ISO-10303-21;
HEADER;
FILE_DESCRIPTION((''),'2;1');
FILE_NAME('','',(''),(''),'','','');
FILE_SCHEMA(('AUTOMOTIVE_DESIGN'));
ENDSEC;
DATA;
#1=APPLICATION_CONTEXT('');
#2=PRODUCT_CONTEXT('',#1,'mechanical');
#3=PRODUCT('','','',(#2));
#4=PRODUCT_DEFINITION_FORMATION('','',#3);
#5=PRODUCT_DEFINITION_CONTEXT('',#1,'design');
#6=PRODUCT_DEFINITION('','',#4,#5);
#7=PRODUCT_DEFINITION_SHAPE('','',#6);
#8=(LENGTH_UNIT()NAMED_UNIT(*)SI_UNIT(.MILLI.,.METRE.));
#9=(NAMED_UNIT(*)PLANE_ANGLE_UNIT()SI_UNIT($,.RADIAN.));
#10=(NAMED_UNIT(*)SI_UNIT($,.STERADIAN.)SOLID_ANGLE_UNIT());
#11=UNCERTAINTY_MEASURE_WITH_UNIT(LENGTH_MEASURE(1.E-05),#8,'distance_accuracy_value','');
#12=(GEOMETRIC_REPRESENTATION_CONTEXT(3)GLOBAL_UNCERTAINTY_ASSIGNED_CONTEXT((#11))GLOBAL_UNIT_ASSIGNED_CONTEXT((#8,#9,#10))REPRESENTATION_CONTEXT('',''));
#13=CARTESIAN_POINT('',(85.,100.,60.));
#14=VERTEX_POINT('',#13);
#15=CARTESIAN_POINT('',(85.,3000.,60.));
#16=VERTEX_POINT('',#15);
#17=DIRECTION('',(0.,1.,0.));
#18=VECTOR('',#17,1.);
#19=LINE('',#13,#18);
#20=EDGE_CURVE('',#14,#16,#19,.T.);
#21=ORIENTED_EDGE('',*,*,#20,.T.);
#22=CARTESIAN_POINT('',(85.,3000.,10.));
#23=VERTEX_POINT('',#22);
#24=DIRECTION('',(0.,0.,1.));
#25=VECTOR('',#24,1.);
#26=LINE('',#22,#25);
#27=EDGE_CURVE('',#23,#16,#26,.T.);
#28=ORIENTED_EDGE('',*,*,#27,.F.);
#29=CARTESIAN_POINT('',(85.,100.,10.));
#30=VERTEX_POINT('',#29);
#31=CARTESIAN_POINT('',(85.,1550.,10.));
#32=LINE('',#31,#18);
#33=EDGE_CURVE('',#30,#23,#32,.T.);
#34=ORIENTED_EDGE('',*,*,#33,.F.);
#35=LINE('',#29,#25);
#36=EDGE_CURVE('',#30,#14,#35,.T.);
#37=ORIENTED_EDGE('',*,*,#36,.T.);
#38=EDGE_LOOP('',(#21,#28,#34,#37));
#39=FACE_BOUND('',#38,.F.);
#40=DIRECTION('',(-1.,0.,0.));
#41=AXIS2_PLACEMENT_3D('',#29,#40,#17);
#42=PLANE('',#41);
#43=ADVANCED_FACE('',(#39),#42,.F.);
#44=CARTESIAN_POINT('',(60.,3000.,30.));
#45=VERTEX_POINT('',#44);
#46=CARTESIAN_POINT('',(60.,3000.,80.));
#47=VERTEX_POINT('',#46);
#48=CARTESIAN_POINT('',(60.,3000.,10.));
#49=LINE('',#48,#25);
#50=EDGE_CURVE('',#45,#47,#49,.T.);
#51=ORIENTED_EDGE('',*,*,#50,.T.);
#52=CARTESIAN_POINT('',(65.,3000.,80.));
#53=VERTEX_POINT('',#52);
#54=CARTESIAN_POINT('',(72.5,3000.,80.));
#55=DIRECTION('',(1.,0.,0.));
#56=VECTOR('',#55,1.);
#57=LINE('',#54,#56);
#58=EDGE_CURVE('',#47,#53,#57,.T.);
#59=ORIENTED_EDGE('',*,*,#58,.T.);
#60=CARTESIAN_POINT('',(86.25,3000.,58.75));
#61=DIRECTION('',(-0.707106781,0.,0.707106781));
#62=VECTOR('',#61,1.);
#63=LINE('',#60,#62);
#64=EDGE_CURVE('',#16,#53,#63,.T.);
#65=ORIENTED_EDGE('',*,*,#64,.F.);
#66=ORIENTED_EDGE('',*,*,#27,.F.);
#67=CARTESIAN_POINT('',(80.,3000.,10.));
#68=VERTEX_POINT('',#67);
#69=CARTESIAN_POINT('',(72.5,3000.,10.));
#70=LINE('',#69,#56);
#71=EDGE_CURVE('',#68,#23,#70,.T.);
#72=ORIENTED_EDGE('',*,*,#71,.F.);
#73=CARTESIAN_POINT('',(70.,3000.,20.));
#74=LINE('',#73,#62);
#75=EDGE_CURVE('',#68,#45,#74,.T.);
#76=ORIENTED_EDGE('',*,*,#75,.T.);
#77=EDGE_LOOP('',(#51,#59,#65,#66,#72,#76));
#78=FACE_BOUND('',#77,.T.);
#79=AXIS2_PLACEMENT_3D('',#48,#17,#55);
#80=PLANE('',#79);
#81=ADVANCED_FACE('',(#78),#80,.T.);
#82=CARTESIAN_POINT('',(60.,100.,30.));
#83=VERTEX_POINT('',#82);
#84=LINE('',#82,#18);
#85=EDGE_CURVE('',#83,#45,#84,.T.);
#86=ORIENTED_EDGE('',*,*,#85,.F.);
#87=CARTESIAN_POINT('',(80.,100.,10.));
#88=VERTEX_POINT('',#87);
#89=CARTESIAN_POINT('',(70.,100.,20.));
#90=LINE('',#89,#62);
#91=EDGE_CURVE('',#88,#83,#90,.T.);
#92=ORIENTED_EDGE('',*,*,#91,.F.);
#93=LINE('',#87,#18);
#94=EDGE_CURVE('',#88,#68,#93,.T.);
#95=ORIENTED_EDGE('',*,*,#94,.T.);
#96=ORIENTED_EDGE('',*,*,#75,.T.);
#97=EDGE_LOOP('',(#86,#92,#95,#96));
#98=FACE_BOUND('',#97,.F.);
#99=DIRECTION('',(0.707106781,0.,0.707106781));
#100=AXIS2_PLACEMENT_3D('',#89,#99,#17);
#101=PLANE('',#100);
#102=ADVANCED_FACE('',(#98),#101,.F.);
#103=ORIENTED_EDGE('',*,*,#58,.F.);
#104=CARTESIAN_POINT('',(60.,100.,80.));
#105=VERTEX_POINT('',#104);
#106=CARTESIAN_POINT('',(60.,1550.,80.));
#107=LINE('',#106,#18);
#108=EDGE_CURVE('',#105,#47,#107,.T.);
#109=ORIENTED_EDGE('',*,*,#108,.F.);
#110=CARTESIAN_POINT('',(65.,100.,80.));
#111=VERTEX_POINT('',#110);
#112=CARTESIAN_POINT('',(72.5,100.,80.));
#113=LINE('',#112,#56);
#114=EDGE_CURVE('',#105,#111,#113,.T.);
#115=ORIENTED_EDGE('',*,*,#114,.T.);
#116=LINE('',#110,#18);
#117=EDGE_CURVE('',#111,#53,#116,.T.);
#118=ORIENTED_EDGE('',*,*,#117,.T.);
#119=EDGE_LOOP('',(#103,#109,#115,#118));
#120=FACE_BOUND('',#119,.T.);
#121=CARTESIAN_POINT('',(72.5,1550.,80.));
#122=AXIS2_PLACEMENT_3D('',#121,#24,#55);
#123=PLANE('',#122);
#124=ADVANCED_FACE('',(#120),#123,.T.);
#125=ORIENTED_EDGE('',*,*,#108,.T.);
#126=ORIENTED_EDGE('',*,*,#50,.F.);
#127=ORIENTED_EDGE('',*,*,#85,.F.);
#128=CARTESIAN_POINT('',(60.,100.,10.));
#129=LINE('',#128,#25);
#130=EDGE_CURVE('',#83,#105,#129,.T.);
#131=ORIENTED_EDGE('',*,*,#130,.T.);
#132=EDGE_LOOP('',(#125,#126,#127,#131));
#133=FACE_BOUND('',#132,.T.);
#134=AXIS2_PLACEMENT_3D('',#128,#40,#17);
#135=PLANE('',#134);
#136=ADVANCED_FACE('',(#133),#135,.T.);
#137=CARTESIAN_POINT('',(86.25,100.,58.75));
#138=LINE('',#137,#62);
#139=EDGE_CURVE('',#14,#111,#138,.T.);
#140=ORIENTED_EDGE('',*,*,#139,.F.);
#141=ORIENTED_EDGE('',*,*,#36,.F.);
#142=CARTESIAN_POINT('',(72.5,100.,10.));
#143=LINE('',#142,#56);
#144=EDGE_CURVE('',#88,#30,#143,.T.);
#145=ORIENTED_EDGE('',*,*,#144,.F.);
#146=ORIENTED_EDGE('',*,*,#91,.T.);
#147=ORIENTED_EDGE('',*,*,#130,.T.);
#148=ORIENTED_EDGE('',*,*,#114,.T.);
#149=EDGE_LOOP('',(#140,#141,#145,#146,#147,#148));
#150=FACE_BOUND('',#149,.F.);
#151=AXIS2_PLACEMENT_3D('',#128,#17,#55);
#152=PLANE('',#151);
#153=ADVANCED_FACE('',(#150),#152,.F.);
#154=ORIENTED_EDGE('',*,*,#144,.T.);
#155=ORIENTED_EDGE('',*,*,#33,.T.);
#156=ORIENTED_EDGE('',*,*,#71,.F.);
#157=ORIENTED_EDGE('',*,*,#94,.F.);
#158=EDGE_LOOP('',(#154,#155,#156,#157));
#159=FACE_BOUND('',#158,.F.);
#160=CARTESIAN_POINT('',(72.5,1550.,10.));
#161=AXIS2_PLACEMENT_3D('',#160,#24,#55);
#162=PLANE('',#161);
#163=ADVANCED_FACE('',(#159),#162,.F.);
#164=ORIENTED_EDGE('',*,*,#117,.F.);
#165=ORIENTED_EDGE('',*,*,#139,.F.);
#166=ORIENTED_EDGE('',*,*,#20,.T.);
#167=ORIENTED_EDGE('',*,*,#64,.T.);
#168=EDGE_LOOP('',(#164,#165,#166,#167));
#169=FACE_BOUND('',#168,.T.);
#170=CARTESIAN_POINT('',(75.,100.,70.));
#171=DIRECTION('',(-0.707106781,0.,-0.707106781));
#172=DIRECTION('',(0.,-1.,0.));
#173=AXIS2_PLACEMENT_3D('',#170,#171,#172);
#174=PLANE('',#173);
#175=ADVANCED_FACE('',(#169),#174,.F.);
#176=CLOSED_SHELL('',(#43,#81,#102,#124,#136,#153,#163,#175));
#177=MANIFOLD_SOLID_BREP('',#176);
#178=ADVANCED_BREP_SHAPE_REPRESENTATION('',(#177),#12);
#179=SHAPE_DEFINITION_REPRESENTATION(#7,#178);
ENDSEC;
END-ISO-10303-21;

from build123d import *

# Parameters (mm, degrees)
BOX003_W        = 25
BOX003_H        = 2900
BOX003_DEPTH    = 70
CHAMFER_SIZE    = 20
CHAMFER001_SIZE = 20


with BuildPart() as part:
    # Box003 → Box003 (new body)
    with BuildSketch(Plane(origin=(200, 0, 0), x_dir=(1, 0, 0), z_dir=(0, 0, 1))):
        with Locations((12.5, 1450)):
            Rectangle(BOX003_W, BOX003_H)
    extrude(amount=BOX003_DEPTH)

    # Chamfer
    chamfer_edges = [part.edges().sort_by_distance(p)[0] for p in [
        (225, 1450, 70),
    ]]
    chamfer(chamfer_edges, length=CHAMFER_SIZE)

    # Chamfer001
    chamfer001_edges = [part.edges().sort_by_distance(p)[0] for p in [
        (200, 1450, 0),
    ]]
    chamfer(chamfer001_edges, length=CHAMFER001_SIZE)


with BuildPart() as part_1:
    # Chamfer001 placement: moved
    add(part.part.moved(Location((-140, 100, 10))))


solid = part_1.part
